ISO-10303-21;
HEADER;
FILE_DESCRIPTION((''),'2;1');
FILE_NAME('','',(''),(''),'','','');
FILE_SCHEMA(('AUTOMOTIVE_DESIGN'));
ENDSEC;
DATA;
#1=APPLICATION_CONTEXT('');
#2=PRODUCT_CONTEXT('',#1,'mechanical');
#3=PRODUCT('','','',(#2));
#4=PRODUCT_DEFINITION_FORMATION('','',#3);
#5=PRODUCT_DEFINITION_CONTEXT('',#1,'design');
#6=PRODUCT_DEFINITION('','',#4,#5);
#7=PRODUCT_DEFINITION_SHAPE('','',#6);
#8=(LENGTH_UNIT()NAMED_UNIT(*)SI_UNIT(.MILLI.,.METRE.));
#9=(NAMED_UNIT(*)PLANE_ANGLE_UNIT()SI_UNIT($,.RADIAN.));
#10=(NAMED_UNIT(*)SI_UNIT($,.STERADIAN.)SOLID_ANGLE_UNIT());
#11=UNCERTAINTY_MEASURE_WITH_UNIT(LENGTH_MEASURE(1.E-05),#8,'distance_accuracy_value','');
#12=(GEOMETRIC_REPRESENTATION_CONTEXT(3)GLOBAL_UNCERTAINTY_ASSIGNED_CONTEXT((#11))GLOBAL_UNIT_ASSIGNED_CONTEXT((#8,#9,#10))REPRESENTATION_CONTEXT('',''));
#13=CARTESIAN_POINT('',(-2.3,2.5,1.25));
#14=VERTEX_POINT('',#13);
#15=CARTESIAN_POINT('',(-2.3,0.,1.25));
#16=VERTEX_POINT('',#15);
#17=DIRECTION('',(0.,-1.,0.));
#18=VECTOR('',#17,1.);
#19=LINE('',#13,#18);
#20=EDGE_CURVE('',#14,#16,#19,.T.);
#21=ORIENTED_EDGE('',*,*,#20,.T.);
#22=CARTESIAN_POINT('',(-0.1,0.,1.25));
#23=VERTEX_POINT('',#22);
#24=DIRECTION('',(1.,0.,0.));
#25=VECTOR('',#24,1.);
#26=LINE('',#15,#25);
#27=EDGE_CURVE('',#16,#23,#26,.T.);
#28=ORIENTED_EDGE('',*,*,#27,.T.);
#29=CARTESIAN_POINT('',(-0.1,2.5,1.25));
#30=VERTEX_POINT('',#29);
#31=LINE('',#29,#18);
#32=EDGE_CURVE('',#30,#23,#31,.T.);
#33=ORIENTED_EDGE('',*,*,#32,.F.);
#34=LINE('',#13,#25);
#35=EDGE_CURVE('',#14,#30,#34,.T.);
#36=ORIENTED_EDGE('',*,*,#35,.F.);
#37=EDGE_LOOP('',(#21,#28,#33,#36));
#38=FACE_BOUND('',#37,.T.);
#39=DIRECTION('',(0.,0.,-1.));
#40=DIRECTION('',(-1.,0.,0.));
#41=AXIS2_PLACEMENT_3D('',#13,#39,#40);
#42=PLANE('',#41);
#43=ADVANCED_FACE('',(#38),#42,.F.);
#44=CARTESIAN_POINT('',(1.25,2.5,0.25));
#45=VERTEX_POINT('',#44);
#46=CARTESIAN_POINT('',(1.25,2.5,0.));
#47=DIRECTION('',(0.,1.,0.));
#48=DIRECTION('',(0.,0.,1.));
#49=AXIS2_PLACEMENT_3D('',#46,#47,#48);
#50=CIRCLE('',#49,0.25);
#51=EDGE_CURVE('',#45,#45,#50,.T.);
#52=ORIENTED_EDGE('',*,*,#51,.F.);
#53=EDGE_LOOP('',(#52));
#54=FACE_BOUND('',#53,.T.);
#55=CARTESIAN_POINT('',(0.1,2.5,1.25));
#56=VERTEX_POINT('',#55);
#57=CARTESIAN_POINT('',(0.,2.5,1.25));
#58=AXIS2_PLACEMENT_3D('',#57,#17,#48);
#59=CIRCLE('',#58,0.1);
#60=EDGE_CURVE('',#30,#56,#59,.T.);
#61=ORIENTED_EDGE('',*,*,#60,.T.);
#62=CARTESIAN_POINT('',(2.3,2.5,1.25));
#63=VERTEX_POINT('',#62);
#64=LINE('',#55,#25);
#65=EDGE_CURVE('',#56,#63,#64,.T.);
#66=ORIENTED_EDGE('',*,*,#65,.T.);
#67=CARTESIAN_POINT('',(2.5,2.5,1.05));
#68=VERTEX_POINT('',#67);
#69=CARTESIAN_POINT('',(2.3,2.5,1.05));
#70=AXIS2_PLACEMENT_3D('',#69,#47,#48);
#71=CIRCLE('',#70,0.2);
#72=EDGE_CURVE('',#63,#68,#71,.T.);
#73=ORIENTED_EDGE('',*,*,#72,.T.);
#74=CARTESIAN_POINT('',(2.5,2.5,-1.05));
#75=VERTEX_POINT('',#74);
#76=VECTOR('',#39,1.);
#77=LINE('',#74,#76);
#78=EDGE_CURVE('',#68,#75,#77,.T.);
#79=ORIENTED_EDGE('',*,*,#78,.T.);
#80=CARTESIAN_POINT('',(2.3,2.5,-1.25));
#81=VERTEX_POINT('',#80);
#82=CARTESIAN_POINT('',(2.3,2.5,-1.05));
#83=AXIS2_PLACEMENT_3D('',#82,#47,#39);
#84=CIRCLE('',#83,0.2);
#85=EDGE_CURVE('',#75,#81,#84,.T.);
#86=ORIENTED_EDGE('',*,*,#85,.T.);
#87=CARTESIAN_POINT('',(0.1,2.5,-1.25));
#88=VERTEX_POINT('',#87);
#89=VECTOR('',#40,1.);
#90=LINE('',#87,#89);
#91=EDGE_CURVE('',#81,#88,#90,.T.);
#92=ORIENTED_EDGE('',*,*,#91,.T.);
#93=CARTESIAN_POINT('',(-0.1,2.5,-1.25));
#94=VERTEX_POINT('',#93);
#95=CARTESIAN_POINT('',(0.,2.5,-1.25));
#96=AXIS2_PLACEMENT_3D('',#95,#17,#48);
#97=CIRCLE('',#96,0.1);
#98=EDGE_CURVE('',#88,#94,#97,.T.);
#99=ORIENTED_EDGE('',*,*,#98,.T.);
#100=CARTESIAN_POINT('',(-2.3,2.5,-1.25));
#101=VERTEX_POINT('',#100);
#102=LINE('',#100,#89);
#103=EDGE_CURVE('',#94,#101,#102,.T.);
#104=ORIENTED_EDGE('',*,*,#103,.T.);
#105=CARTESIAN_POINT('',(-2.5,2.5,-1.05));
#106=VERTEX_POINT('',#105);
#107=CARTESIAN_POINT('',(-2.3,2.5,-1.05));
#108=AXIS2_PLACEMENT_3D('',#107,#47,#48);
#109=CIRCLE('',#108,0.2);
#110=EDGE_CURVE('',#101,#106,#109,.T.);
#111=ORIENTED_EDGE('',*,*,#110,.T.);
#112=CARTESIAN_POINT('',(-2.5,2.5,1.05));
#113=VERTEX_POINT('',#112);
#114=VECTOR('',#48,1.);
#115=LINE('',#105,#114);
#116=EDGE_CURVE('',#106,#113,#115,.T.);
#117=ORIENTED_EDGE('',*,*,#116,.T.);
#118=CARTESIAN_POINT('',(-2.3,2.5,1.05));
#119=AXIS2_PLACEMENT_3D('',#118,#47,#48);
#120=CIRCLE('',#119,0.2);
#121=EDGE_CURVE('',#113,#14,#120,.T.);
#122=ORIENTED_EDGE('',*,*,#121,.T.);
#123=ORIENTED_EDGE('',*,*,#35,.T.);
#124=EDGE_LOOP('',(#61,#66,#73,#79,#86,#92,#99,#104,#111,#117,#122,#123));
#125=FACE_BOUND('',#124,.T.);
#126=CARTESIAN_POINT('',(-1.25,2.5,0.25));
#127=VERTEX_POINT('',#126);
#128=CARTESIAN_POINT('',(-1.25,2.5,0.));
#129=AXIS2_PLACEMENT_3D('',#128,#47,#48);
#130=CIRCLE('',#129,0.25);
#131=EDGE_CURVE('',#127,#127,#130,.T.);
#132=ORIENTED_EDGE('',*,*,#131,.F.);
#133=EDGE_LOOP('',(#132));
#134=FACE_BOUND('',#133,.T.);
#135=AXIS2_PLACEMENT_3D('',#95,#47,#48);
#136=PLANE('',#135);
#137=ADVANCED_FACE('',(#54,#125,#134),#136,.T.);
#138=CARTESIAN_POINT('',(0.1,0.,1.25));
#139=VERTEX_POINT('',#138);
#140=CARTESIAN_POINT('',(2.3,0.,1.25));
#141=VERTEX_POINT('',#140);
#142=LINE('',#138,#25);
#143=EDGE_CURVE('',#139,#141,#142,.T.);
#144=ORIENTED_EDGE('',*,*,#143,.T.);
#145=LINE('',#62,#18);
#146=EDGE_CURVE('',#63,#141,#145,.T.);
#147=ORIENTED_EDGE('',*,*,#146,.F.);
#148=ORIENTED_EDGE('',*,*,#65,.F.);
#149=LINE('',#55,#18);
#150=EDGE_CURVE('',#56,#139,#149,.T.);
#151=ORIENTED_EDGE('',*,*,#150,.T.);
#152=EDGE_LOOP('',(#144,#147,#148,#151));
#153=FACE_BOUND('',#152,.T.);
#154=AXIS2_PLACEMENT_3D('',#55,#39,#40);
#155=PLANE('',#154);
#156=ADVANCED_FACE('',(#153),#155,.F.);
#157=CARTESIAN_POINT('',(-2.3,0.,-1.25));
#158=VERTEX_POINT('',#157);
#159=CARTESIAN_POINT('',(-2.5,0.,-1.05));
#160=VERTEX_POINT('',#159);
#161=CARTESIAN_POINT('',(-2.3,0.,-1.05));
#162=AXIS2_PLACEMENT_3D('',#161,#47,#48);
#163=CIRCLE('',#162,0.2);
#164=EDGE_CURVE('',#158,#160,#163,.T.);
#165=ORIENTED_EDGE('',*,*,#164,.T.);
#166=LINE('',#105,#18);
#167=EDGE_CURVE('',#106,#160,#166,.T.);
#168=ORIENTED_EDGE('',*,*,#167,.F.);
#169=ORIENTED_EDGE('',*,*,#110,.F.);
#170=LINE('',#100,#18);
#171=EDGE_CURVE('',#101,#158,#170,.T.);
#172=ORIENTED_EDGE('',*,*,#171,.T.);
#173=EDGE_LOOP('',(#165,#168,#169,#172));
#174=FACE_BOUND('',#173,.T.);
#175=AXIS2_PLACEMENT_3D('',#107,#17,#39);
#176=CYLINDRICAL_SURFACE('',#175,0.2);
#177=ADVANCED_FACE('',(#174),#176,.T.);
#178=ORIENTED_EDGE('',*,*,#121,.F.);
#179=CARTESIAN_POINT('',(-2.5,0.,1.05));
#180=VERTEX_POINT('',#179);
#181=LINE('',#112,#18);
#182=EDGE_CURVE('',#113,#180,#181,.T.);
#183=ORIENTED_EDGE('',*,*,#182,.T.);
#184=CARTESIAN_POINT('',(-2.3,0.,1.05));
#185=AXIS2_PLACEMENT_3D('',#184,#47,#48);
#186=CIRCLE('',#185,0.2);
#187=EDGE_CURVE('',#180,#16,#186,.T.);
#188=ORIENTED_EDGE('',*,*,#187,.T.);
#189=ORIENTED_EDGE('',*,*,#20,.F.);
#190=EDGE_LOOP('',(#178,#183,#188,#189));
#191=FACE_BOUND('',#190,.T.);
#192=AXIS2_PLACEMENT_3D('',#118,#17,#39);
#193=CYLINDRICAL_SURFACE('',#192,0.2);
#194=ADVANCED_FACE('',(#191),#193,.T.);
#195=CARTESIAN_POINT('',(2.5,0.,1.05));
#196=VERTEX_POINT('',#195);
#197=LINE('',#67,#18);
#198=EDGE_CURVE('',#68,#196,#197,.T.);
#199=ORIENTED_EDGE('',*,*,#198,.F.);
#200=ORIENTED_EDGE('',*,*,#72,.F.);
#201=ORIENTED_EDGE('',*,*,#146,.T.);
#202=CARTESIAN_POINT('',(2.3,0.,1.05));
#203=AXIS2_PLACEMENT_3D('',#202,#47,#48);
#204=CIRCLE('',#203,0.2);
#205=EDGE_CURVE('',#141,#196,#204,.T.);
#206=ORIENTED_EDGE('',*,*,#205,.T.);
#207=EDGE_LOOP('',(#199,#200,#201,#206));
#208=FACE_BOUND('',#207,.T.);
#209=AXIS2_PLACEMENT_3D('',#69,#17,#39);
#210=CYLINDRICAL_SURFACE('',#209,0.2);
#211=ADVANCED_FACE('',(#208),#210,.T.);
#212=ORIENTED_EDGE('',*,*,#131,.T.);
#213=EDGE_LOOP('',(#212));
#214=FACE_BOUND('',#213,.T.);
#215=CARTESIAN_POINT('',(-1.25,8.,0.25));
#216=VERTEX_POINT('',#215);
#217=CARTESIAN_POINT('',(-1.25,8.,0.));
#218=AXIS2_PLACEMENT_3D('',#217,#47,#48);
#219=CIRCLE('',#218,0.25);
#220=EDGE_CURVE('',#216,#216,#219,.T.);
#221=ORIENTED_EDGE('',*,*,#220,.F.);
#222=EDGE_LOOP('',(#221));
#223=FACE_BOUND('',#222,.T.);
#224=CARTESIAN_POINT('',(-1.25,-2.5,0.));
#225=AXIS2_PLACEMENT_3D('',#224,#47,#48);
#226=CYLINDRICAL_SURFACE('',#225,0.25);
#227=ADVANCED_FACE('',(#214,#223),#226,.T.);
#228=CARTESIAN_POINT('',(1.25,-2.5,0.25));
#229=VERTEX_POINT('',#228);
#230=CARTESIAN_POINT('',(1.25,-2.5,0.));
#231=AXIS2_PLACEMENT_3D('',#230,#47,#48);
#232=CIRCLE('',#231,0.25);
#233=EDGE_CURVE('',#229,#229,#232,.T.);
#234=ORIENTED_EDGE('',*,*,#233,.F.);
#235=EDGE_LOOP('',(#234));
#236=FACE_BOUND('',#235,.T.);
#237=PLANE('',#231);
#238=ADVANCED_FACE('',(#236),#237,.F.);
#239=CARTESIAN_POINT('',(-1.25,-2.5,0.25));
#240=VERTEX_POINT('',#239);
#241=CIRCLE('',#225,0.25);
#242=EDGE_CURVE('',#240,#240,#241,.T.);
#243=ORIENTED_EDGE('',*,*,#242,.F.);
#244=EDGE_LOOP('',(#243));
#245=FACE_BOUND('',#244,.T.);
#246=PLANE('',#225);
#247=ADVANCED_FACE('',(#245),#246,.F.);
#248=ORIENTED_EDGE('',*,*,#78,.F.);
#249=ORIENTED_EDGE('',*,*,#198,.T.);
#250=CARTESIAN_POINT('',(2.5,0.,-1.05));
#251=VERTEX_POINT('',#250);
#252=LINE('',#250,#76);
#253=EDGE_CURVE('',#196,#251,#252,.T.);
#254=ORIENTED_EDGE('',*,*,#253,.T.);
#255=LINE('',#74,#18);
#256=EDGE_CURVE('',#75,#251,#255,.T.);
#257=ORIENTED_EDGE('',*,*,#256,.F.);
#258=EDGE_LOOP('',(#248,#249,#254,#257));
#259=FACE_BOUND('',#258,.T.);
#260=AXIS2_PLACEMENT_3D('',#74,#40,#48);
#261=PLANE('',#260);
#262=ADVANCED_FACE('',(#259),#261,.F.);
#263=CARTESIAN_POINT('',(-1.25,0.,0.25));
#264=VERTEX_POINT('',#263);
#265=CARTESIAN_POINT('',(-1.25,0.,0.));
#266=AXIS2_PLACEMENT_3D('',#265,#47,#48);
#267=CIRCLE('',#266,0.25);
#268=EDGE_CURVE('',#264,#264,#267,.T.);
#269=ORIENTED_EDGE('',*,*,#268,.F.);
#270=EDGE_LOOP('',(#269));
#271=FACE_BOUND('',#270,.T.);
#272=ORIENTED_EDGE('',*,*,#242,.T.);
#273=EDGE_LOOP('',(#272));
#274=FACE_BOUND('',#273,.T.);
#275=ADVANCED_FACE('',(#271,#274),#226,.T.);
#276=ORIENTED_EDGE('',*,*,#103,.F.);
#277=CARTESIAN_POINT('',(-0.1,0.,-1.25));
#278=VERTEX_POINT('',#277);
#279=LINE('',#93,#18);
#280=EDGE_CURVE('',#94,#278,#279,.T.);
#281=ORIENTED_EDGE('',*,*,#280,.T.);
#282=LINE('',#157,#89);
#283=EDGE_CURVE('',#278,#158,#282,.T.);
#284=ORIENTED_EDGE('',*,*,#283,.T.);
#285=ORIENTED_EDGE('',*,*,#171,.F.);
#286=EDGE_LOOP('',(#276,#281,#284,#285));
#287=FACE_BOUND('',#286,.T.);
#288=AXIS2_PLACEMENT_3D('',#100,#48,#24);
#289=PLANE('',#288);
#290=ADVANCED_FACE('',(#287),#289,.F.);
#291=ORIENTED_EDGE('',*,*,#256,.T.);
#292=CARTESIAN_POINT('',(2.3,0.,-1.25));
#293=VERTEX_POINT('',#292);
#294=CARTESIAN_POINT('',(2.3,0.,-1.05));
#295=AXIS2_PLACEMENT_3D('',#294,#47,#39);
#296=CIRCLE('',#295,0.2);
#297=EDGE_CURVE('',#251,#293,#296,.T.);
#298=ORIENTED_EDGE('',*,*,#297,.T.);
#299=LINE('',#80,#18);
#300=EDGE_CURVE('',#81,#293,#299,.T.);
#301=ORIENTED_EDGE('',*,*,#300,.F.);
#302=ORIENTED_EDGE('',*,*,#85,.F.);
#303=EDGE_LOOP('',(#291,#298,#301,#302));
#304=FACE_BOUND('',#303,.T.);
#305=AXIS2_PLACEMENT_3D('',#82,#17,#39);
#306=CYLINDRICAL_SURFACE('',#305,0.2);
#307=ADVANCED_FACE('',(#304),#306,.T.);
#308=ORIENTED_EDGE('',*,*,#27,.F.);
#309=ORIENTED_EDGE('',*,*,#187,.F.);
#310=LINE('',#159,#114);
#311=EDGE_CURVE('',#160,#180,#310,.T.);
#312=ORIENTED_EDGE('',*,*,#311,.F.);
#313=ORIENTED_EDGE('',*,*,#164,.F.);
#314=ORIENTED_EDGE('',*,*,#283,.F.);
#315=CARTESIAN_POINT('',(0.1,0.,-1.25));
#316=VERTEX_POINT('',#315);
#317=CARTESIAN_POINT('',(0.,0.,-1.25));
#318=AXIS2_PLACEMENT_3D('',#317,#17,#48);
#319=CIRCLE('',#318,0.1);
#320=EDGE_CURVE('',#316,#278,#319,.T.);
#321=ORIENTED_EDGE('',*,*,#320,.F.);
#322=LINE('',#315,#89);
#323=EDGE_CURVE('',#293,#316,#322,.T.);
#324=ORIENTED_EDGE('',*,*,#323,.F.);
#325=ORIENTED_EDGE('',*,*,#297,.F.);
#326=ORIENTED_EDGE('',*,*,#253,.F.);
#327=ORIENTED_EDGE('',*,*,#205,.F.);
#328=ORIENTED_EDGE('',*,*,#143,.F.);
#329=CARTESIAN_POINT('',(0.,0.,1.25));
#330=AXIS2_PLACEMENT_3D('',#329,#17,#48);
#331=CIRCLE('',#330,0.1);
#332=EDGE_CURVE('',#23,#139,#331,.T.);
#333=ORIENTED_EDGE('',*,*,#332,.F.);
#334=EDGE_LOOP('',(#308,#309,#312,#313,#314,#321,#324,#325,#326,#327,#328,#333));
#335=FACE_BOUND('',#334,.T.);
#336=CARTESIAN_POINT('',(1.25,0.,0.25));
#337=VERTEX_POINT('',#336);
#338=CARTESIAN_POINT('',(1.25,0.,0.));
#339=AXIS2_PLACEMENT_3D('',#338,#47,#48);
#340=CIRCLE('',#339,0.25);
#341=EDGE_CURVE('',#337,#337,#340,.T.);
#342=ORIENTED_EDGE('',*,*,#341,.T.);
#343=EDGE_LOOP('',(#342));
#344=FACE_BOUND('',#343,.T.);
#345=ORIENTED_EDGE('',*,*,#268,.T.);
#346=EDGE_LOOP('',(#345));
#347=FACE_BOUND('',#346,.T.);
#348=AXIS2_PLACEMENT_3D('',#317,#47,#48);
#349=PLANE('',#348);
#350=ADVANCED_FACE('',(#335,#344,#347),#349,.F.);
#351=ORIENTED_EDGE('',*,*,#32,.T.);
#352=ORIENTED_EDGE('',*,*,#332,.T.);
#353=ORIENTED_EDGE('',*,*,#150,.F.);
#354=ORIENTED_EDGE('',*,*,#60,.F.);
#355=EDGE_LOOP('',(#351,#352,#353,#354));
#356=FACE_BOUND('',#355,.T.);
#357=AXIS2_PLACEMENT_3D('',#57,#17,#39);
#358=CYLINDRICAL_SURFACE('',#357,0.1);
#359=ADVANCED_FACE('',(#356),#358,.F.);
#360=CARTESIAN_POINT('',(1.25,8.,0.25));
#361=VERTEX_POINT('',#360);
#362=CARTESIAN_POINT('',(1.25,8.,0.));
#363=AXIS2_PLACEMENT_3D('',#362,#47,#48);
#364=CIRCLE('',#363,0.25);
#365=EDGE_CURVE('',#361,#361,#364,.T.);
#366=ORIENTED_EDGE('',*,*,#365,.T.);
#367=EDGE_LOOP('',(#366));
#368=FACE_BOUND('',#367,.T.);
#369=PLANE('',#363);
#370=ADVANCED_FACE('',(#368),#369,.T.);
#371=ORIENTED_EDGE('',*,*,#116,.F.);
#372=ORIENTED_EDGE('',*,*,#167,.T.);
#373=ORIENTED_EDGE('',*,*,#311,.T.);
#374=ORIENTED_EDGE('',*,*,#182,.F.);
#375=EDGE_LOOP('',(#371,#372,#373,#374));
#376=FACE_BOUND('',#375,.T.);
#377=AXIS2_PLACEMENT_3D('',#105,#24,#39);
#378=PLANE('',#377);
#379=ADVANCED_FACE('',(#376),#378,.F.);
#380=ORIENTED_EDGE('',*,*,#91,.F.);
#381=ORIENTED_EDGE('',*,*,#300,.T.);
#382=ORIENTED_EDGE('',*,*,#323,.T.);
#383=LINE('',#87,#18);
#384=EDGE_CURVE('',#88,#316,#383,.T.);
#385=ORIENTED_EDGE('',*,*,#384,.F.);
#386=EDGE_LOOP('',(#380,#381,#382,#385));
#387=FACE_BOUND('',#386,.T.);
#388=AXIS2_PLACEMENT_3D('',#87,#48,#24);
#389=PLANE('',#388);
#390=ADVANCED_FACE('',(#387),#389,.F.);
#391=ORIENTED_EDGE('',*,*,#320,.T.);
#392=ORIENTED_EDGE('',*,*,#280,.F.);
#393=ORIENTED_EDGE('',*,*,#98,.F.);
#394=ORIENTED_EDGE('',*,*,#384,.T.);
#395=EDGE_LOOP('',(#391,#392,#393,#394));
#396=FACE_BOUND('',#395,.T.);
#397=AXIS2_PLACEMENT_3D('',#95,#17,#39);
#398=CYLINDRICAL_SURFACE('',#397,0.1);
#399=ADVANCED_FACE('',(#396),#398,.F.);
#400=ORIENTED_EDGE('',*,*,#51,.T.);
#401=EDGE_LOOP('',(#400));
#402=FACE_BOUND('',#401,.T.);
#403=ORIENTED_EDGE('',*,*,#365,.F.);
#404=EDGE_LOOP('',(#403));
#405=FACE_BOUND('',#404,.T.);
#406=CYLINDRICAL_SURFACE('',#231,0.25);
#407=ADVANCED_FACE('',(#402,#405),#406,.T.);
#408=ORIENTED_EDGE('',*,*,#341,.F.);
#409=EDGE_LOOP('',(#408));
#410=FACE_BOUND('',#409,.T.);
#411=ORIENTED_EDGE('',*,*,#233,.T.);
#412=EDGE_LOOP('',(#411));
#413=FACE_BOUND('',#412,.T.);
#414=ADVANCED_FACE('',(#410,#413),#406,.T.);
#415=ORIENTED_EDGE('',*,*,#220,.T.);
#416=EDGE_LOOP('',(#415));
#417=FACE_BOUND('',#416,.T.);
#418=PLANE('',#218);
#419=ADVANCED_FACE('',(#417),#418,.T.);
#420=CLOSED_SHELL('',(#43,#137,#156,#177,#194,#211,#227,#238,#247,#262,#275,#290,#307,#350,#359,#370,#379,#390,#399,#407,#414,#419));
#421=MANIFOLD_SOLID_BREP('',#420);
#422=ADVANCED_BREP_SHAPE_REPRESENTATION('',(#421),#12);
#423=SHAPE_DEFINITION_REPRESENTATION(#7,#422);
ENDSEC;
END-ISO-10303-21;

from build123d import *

# Parameters (mm, degrees)
IZIM1_R                          = 0.25
Y_KSEKLIK_EKSTR_ZYON1_DEPTH      = 2.5
IZIM2_R                          = 0.25
Y_KSEKLIK_EKSTR_ZYON2_DEPTH      = 5.5
Y_KSEKLIK_EKSTR_ZYON2_DEPTH_BACK = 5


with BuildPart() as part:
    # Çizim1 → Yükseklik-Ekstrüzyon1 (new body)
    with BuildSketch(Plane(origin=(0, 0, 0), x_dir=(1, 0, 0), z_dir=(0, 1, 0))):
        with BuildLine():
            Line((-2.3, 1.25), (-0.1, 1.25))
            ThreePointArc((-0.1, 1.25), (0, 1.15), (0.1, 1.25))
            Line((0.1, 1.25), (2.3, 1.25))
            ThreePointArc((2.3, 1.25), (2.441421356, 1.191421356), (2.5, 1.05))
            Line((2.5, 1.05), (2.5, -1.05))
            ThreePointArc((2.5, -1.05), (2.441421356, -1.191421356), (2.3, -1.25))
            Line((2.3, -1.25), (0.1, -1.25))
            ThreePointArc((0.1, -1.25), (0, -1.15), (-0.1, -1.25))
            Line((-0.1, -1.25), (-2.3, -1.25))
            ThreePointArc((-2.3, -1.25), (-2.441421356, -1.191421356), (-2.5, -1.05))
            Line((-2.5, -1.05), (-2.5, 1.05))
            ThreePointArc((-2.5, 1.05), (-2.441421356, 1.191421356), (-2.3, 1.25))
        make_face()
        with Locations((-1.25, 0)):
            Circle(IZIM1_R, mode=Mode.SUBTRACT)
        with Locations((1.25, 0)):
            Circle(IZIM1_R, mode=Mode.SUBTRACT)
    extrude(amount=Y_KSEKLIK_EKSTR_ZYON1_DEPTH)

    # Çizim2 → Yükseklik-Ekstrüzyon2 (add, two sides)
    with BuildSketch(Plane(origin=(0, 2.5, 0), x_dir=(1, 0, 0), z_dir=(0, 1, 0))) as y_kseklik_ekstr_zyon2_sk:
        with Locations((-1.25, 0)):
            Circle(IZIM2_R)
        with Locations((1.25, 0)):
            Circle(IZIM2_R)
    extrude(amount=Y_KSEKLIK_EKSTR_ZYON2_DEPTH)
    extrude(y_kseklik_ekstr_zyon2_sk.sketch, amount=-Y_KSEKLIK_EKSTR_ZYON2_DEPTH_BACK)


solid = part.part
